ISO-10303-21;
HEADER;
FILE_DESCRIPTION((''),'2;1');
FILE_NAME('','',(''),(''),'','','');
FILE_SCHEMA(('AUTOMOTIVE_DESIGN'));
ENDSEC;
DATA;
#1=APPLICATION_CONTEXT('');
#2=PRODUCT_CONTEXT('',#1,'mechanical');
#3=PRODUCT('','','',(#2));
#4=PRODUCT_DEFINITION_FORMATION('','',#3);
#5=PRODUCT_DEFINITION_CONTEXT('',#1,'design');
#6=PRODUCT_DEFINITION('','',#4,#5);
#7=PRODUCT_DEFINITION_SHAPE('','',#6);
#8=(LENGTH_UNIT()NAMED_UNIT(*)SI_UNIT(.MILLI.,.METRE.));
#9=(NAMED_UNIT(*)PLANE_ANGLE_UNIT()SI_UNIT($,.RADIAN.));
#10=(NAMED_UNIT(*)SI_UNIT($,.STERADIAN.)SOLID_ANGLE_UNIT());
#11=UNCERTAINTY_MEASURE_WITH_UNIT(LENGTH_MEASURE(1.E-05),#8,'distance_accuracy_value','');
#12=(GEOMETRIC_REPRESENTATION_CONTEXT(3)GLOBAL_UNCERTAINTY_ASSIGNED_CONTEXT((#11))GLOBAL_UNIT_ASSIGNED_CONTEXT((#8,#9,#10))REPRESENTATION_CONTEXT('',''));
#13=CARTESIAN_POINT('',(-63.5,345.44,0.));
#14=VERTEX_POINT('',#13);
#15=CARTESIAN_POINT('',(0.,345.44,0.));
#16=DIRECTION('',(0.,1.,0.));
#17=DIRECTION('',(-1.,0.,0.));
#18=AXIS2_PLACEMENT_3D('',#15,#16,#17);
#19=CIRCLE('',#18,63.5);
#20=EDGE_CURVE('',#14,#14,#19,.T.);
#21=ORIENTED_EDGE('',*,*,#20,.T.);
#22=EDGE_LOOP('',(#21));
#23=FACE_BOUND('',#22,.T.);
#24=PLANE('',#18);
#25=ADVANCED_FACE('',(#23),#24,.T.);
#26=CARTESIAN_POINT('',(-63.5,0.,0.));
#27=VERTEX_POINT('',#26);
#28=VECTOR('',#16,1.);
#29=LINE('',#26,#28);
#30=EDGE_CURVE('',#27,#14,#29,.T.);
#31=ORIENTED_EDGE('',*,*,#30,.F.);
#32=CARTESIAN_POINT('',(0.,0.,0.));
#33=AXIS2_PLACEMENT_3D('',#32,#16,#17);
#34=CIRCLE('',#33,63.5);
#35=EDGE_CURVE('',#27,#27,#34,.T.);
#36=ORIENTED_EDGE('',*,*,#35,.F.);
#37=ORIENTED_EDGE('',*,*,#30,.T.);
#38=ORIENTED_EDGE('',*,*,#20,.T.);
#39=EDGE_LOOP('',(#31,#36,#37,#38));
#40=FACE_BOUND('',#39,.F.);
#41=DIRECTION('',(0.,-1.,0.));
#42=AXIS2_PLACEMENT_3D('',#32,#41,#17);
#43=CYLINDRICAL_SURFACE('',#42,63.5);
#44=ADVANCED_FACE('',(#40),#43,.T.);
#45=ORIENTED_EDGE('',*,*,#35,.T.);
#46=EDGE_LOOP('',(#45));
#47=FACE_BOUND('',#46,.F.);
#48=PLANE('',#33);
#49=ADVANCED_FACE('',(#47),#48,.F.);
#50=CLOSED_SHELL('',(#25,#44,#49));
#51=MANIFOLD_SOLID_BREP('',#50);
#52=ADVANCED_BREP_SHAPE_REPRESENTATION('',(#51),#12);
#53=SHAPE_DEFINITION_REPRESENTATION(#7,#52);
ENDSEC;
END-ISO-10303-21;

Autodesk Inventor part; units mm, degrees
ref_plane "YZ Plane" through (0, 0, 0) normal (1, 0, 0) x (0, 1, 0)
ref_plane "XZ Plane" through (0, 0, 0) normal (0, 1, 0) x (-1, 0, 0)
ref_plane "XY Plane" through (0, 0, 0) normal (0, 0, 1) x (1, 0, 0)
sketch "Sketch1" plane through (0, 0, 0) normal (0, 1, 0) x (-1, 0, 0)
  circle A0 centre (0, 0) radius 63.5
  dimension "d0" = 127
extrude "Extrusion1" add sketch "Sketch1" along normal blind 345.44
properties part number "Negative Injector"
